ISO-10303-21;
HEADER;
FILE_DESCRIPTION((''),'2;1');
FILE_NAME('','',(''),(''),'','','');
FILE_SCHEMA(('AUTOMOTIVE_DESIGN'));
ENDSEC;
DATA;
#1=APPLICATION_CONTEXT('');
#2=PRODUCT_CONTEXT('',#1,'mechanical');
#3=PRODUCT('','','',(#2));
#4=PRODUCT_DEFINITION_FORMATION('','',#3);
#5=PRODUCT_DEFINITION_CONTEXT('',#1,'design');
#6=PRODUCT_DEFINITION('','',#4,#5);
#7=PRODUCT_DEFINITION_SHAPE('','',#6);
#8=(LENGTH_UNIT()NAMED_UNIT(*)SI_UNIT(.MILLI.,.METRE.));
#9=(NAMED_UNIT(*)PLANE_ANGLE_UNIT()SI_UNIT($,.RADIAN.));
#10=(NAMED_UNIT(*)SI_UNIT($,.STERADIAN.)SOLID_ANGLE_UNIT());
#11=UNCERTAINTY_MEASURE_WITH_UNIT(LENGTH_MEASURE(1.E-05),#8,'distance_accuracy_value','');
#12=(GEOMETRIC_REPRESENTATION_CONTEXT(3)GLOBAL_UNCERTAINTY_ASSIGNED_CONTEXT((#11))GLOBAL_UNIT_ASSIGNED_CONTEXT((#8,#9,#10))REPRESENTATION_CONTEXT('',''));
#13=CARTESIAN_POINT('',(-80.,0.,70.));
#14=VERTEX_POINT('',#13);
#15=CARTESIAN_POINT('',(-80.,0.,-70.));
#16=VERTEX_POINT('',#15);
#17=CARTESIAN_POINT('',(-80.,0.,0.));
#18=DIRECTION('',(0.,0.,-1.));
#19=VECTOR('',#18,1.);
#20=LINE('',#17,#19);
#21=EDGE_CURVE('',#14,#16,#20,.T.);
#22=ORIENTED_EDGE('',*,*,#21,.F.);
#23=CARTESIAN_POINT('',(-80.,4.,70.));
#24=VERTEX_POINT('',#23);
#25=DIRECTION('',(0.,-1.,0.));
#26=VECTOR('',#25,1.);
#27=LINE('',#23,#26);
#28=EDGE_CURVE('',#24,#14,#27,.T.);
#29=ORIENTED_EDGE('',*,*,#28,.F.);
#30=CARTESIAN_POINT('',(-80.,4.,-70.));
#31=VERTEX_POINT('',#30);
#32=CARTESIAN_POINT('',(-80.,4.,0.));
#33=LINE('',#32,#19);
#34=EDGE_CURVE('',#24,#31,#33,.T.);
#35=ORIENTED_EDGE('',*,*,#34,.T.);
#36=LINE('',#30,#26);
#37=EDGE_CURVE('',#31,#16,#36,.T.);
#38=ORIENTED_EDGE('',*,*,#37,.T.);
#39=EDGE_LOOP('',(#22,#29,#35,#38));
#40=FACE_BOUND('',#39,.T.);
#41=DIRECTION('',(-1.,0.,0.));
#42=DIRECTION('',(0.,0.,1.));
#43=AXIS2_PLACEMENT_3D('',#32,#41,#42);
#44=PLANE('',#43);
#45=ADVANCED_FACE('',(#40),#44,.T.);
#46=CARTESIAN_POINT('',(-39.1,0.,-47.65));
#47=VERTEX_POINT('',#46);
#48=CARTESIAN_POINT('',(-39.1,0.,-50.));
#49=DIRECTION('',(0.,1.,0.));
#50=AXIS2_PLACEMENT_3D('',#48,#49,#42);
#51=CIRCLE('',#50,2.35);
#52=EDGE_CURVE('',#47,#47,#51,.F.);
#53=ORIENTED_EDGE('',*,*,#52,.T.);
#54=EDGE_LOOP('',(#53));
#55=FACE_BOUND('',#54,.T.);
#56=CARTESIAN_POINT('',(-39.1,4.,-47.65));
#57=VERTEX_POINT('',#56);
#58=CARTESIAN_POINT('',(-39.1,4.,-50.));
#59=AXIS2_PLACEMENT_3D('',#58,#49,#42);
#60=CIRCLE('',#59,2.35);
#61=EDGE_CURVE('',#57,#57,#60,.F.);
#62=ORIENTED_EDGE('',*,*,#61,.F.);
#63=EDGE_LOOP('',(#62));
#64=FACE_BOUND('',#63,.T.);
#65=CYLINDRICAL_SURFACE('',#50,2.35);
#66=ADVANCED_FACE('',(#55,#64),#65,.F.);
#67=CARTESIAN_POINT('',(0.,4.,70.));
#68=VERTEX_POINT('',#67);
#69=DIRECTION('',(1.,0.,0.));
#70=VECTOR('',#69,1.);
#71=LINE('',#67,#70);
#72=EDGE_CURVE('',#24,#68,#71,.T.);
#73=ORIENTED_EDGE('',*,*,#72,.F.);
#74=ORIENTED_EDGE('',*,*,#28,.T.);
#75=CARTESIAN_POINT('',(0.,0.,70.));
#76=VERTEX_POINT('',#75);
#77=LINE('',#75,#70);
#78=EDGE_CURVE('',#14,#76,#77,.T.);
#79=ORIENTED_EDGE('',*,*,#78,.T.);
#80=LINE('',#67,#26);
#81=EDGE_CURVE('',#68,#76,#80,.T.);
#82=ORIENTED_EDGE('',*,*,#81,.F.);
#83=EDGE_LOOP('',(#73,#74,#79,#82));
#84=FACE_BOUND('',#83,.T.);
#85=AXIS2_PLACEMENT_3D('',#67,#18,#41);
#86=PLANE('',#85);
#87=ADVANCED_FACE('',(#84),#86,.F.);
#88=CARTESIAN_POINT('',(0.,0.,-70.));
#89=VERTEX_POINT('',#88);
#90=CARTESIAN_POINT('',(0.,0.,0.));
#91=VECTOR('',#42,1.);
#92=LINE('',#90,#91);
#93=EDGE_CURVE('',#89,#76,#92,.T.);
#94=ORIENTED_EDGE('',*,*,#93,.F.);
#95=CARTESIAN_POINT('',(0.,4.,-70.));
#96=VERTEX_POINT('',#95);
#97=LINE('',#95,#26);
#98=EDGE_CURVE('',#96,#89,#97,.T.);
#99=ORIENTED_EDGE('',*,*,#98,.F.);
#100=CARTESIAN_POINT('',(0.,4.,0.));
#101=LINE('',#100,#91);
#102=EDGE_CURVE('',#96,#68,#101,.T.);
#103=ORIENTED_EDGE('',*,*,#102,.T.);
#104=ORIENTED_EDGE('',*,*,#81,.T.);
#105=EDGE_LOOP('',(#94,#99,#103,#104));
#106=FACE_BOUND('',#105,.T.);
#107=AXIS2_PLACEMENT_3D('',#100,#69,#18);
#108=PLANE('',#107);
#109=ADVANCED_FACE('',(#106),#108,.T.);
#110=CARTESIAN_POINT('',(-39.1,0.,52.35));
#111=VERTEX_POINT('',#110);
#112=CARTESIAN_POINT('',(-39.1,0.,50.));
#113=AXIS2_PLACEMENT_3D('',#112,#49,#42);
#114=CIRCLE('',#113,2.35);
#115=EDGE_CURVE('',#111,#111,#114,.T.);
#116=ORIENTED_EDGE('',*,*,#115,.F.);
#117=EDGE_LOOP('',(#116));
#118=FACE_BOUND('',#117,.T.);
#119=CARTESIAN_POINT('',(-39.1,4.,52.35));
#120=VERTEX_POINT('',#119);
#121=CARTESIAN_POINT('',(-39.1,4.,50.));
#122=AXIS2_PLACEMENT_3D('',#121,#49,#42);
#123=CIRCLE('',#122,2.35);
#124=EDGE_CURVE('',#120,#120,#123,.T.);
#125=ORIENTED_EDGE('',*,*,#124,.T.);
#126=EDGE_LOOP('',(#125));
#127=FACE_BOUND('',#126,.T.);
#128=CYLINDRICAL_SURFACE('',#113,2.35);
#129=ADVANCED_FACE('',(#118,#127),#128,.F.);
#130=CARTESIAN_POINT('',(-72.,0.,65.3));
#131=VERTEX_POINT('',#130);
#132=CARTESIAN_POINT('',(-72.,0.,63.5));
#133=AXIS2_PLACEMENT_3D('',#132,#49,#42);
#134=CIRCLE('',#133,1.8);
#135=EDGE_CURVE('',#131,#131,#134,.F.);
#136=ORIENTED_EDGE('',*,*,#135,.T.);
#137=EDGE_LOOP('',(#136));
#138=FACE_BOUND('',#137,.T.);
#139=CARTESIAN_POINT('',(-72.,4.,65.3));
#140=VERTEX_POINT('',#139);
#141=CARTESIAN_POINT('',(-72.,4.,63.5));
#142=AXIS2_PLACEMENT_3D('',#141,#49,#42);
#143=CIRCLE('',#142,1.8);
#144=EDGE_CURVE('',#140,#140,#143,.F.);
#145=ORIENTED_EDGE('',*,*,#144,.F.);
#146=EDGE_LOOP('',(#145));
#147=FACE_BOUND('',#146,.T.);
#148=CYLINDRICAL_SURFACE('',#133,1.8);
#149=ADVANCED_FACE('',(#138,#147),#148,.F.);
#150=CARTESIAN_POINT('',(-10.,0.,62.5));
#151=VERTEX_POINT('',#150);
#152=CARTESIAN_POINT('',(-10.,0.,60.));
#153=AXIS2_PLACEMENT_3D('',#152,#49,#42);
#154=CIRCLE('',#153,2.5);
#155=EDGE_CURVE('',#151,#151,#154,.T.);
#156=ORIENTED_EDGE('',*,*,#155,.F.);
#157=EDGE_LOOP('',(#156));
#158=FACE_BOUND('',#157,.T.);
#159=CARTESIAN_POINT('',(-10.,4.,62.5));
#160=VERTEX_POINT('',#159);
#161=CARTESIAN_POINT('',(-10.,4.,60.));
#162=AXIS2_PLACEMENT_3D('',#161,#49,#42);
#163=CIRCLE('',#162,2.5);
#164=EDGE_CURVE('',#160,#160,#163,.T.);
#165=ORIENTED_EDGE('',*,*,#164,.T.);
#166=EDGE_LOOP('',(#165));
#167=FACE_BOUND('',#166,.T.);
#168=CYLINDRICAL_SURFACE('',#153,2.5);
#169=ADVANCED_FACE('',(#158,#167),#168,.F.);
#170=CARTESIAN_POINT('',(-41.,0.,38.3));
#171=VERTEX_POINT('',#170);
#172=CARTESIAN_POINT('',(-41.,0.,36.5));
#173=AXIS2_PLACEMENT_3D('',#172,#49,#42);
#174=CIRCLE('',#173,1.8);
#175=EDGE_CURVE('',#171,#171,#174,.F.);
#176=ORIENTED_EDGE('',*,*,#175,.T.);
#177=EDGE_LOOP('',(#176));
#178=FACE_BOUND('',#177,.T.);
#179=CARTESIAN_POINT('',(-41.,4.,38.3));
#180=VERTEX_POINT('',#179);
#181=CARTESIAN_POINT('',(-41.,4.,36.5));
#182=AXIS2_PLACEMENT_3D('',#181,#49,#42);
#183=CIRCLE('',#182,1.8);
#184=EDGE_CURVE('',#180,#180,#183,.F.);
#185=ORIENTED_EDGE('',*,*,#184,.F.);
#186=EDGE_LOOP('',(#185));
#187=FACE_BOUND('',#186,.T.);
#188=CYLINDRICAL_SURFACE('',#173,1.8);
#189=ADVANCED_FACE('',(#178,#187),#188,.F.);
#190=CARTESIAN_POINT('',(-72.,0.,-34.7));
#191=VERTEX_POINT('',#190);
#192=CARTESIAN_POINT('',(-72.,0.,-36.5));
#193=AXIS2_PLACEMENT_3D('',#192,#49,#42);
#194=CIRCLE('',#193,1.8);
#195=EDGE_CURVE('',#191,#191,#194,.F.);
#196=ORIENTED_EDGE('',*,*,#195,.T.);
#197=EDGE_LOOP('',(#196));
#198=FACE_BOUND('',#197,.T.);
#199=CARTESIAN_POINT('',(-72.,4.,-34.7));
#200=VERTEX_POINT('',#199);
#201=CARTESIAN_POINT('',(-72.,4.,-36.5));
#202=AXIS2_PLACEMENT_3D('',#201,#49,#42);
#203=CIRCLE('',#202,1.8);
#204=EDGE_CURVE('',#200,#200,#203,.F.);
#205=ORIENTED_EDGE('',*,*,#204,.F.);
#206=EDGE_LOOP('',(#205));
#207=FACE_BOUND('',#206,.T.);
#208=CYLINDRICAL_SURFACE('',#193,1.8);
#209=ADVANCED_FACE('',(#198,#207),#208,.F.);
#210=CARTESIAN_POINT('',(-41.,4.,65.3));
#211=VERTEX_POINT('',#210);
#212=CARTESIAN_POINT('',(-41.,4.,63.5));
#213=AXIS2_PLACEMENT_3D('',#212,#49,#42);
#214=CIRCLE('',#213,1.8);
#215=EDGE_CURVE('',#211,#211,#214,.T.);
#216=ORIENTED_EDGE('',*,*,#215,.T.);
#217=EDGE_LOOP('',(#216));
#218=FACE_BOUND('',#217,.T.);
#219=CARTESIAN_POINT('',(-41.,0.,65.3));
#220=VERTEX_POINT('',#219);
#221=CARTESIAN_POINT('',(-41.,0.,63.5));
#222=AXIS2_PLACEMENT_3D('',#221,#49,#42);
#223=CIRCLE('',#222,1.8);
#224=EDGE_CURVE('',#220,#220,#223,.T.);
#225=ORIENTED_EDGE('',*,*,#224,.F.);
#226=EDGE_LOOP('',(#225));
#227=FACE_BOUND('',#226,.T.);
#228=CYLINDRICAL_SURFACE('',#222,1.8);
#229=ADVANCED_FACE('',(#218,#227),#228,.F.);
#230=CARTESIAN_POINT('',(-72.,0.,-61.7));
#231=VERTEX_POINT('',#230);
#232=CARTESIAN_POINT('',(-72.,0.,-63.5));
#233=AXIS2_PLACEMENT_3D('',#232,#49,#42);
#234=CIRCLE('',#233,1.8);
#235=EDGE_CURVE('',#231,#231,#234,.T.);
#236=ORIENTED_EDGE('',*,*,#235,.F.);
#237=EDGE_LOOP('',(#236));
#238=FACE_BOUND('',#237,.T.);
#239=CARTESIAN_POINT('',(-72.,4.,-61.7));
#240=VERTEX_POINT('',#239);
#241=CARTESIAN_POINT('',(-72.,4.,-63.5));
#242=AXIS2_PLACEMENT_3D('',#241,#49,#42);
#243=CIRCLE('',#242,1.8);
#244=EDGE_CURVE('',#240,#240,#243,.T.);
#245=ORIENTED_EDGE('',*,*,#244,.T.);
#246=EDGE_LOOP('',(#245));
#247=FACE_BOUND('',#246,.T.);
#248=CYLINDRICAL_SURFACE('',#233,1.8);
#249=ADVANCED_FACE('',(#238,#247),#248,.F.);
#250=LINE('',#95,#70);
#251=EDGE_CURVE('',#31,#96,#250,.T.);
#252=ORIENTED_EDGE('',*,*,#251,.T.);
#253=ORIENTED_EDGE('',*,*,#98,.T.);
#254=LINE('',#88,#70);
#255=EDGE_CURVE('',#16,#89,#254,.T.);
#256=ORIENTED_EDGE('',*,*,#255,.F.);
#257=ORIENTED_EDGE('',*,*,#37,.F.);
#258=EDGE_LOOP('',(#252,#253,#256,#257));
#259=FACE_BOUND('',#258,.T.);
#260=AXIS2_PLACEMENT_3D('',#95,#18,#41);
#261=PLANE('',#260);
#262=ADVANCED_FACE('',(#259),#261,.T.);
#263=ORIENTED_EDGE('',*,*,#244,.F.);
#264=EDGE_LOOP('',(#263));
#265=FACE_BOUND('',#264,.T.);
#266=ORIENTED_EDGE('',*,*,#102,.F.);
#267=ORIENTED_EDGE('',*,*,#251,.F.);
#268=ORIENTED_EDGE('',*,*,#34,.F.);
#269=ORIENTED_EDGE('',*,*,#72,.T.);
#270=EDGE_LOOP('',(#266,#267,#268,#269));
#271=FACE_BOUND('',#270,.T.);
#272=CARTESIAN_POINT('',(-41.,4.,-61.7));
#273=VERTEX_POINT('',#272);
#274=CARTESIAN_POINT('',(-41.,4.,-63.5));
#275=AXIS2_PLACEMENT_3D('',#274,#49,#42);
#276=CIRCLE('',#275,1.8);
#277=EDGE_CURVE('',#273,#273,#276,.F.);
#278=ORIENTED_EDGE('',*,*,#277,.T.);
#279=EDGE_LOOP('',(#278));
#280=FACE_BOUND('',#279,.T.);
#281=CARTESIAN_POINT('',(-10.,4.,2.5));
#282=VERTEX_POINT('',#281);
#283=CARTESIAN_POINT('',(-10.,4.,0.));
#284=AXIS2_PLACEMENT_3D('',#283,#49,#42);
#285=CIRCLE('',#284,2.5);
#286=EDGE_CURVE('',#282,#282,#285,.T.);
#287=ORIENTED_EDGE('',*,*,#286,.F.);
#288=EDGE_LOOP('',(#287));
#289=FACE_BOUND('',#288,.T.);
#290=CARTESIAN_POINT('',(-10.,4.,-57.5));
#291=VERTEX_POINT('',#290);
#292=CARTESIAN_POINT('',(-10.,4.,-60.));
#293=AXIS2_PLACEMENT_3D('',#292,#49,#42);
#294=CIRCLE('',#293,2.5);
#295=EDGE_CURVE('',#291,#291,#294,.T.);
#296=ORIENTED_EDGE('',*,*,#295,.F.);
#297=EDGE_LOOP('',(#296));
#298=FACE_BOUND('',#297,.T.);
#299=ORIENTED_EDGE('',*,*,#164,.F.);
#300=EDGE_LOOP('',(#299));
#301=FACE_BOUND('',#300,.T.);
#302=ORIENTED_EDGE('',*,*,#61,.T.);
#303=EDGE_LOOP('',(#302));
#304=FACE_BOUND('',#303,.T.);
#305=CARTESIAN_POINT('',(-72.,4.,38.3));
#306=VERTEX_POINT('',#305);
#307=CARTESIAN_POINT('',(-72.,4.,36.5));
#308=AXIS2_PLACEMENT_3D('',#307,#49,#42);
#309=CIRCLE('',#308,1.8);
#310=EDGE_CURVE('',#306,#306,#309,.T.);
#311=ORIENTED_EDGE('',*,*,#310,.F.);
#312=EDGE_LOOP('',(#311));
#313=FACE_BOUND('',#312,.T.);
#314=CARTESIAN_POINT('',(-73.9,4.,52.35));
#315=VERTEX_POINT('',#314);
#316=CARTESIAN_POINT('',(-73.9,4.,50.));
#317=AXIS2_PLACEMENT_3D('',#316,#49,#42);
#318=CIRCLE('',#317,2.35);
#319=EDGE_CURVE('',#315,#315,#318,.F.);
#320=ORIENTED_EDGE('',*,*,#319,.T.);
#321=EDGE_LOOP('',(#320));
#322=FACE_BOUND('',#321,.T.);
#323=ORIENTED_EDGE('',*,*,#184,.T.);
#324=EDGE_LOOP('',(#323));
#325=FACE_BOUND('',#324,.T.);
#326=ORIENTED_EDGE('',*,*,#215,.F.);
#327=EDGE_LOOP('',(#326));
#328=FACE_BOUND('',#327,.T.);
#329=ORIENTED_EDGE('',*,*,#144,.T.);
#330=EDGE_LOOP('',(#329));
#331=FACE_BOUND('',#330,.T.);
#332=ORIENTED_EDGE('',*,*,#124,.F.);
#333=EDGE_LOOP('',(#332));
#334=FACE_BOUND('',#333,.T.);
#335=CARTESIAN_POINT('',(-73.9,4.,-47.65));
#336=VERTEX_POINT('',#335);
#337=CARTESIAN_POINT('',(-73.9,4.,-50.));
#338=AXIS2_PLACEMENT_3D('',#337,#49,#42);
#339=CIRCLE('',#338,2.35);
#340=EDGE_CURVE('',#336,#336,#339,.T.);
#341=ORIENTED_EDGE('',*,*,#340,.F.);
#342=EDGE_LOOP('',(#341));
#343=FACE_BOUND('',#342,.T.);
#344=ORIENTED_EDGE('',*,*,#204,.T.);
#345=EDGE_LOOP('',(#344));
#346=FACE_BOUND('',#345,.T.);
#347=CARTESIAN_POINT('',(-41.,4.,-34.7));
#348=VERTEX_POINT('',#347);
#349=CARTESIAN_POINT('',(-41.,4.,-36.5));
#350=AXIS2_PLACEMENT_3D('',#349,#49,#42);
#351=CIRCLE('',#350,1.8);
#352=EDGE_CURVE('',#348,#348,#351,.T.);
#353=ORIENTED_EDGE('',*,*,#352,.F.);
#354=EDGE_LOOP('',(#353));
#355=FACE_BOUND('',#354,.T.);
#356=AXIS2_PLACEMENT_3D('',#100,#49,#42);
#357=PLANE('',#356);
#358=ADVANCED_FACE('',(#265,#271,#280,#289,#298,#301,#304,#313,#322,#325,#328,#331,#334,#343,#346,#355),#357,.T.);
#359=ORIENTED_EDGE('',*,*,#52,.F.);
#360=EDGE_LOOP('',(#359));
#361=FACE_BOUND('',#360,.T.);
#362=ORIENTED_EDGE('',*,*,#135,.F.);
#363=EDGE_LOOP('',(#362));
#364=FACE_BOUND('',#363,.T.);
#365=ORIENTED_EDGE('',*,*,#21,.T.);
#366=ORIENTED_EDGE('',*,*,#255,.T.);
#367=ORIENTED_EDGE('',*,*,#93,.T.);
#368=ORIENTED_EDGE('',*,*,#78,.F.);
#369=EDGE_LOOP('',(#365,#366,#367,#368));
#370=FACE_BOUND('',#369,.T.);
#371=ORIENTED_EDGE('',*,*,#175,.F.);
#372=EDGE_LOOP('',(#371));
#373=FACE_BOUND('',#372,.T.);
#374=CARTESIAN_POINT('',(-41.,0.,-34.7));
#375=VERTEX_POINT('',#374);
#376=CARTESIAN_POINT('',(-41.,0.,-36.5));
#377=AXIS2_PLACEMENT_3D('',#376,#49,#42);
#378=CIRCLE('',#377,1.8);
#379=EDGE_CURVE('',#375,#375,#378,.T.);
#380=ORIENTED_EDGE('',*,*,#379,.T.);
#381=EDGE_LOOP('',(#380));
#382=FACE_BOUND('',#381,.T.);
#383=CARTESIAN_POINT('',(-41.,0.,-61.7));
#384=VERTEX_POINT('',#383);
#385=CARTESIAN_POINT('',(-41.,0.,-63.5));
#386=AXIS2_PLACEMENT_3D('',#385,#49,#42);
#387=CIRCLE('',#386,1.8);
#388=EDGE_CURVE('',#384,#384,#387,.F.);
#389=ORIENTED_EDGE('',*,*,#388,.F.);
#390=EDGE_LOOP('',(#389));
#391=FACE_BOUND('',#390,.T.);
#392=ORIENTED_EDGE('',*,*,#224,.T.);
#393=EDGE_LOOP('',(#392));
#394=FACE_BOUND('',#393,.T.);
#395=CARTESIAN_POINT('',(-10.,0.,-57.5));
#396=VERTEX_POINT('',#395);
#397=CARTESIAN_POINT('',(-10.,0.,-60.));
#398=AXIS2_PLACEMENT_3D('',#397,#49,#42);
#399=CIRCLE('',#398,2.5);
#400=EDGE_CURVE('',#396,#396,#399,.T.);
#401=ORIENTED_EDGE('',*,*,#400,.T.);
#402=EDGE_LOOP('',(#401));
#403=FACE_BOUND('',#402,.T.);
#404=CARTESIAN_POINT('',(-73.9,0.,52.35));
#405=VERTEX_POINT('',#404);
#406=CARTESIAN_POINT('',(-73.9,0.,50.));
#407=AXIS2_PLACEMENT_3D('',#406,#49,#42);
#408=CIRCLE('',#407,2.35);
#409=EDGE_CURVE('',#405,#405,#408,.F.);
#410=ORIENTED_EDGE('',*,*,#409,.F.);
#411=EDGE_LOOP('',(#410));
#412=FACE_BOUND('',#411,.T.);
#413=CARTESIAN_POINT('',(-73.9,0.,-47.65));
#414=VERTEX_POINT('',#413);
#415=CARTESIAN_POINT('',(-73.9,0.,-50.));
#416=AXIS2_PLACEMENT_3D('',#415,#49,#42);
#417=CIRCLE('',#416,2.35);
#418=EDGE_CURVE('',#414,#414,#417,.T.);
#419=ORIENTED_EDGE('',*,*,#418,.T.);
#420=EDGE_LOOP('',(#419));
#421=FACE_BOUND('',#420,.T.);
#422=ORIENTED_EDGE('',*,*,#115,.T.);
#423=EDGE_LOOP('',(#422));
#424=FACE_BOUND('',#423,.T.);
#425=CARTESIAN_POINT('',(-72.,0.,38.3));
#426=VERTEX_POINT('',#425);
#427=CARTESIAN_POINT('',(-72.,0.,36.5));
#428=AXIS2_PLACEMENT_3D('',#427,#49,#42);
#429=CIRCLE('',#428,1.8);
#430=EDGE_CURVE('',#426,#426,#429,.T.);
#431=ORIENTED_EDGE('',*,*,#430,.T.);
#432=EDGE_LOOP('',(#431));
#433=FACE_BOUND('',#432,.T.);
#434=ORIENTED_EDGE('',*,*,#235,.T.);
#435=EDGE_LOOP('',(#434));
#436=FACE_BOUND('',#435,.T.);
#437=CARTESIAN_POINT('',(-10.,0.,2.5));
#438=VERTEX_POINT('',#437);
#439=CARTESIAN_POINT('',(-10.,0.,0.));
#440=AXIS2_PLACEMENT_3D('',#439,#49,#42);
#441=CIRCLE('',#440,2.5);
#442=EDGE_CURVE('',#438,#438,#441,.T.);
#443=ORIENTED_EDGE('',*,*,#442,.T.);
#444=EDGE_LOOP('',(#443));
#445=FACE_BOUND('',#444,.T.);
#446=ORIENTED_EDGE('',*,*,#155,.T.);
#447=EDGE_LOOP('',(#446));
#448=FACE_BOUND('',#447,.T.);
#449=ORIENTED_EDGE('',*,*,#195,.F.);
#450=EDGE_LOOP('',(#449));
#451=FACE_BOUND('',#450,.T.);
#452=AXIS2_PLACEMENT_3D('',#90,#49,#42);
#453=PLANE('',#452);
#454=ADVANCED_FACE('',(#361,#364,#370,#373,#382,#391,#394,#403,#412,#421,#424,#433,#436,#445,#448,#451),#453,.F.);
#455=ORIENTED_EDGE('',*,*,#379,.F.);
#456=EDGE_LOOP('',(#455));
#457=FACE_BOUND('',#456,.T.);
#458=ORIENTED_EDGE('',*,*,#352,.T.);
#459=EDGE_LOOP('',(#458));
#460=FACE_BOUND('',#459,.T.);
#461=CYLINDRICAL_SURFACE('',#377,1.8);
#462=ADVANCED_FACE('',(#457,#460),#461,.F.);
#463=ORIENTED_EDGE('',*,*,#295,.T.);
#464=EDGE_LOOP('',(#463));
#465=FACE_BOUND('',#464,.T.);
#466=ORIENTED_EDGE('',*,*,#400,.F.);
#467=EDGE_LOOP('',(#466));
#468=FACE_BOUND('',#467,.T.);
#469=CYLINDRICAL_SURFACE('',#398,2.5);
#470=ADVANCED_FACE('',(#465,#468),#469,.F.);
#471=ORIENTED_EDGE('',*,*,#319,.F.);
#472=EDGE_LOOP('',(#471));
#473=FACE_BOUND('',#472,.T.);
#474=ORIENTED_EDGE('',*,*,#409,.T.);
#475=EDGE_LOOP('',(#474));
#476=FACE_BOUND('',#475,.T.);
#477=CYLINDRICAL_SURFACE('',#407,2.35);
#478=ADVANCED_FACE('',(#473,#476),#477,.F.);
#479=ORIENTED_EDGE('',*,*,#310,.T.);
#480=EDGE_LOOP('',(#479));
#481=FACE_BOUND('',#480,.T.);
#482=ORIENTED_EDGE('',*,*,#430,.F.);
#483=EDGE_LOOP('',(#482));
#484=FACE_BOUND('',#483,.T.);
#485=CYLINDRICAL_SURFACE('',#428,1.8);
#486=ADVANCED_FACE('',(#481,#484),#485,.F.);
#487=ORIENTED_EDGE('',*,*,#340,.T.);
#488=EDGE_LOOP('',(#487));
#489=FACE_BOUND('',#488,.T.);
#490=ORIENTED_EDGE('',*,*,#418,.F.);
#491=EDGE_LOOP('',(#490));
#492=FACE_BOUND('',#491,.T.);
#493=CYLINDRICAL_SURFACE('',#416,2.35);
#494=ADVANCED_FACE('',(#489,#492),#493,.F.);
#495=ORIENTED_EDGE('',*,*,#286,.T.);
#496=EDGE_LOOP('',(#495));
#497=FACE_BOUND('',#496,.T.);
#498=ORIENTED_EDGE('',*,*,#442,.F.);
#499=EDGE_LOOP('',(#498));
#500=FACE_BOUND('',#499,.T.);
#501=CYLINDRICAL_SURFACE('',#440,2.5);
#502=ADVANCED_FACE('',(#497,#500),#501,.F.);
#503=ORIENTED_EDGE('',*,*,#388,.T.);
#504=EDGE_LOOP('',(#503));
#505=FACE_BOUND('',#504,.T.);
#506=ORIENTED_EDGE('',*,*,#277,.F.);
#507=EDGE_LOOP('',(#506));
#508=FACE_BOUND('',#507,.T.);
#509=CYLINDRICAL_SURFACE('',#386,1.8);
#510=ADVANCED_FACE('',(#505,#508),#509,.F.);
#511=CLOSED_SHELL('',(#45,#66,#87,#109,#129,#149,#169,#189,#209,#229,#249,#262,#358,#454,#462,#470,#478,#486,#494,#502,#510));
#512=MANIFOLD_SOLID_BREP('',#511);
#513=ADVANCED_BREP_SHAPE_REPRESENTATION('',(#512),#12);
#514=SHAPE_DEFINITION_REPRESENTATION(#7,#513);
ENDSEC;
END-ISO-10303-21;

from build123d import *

# Parameters (mm, degrees)
SKETCH_2_W          = 80
SKETCH_2_H          = 140
EXTRUDE_1_DEPTH     = 4
SKETCH_3_R          = 1.8
SKETCH_3_R_2        = 2.35
SKETCH_3_R_3        = 2.5
CUT_EXTRUDE_3_DEPTH = 4


with BuildPart() as part:
    # 草图2 → 凸台-拉伸1 (new body)
    with BuildSketch(Plane(origin=(0, 0, 0), x_dir=(1, 0, 0), z_dir=(0, 1, 0))):
        with Locations((-40, 0)):
            Rectangle(SKETCH_2_W, SKETCH_2_H)
    extrude(amount=EXTRUDE_1_DEPTH)

    # 草图3 → 切除-拉伸3 (cut)
    with BuildSketch(Plane(origin=(0, 4, 0), x_dir=(1, 0, 0), z_dir=(0, 1, 0))):
        with Locations(Location((-72, 63.5, 0), (0, 0, 270))):
            Circle(SKETCH_3_R)
        with Locations(Location((-41, 63.5, 0), (0, 0, 270))):
            Circle(SKETCH_3_R)
        with Locations(Location((-41, 36.5, 0), (0, 0, 270))):
            Circle(SKETCH_3_R)
        with Locations(Location((-72, 36.5, 0), (0, 0, 270))):
            Circle(SKETCH_3_R)
        with Locations(Location((-41, -63.5, 0), (0, 0, 270))):
            Circle(SKETCH_3_R)
        with Locations(Location((-41, -36.5, 0), (0, 0, 270))):
            Circle(SKETCH_3_R)
        with Locations(Location((-72, -36.5, 0), (0, 0, 270))):
            Circle(SKETCH_3_R)
        with Locations(Location((-72, -63.5, 0), (0, 0, 270))):
            Circle(SKETCH_3_R)
        with Locations(Location((-73.9, 50, 0), (0, 0, 270))):
            Circle(SKETCH_3_R_2)
        with Locations(Location((-73.9, -50, 0), (0, 0, 270))):
            Circle(SKETCH_3_R_2)
        with Locations(Location((-39.1, -50, 0), (0, 0, 270))):
            Circle(SKETCH_3_R_2)
        with Locations(Location((-39.1, 50, 0), (0, 0, 270))):
            Circle(SKETCH_3_R_2)
        with Locations(Location((-10, 60, 0), (0, 0, 270))):
            Circle(SKETCH_3_R_3)
        with Locations(Location((-10, 0, 0), (0, 0, 270))):
            Circle(SKETCH_3_R_3)
        with Locations(Location((-10, -60, 0), (0, 0, 270))):
            Circle(SKETCH_3_R_3)
    extrude(amount=-CUT_EXTRUDE_3_DEPTH, mode=Mode.SUBTRACT)


solid = part.part
